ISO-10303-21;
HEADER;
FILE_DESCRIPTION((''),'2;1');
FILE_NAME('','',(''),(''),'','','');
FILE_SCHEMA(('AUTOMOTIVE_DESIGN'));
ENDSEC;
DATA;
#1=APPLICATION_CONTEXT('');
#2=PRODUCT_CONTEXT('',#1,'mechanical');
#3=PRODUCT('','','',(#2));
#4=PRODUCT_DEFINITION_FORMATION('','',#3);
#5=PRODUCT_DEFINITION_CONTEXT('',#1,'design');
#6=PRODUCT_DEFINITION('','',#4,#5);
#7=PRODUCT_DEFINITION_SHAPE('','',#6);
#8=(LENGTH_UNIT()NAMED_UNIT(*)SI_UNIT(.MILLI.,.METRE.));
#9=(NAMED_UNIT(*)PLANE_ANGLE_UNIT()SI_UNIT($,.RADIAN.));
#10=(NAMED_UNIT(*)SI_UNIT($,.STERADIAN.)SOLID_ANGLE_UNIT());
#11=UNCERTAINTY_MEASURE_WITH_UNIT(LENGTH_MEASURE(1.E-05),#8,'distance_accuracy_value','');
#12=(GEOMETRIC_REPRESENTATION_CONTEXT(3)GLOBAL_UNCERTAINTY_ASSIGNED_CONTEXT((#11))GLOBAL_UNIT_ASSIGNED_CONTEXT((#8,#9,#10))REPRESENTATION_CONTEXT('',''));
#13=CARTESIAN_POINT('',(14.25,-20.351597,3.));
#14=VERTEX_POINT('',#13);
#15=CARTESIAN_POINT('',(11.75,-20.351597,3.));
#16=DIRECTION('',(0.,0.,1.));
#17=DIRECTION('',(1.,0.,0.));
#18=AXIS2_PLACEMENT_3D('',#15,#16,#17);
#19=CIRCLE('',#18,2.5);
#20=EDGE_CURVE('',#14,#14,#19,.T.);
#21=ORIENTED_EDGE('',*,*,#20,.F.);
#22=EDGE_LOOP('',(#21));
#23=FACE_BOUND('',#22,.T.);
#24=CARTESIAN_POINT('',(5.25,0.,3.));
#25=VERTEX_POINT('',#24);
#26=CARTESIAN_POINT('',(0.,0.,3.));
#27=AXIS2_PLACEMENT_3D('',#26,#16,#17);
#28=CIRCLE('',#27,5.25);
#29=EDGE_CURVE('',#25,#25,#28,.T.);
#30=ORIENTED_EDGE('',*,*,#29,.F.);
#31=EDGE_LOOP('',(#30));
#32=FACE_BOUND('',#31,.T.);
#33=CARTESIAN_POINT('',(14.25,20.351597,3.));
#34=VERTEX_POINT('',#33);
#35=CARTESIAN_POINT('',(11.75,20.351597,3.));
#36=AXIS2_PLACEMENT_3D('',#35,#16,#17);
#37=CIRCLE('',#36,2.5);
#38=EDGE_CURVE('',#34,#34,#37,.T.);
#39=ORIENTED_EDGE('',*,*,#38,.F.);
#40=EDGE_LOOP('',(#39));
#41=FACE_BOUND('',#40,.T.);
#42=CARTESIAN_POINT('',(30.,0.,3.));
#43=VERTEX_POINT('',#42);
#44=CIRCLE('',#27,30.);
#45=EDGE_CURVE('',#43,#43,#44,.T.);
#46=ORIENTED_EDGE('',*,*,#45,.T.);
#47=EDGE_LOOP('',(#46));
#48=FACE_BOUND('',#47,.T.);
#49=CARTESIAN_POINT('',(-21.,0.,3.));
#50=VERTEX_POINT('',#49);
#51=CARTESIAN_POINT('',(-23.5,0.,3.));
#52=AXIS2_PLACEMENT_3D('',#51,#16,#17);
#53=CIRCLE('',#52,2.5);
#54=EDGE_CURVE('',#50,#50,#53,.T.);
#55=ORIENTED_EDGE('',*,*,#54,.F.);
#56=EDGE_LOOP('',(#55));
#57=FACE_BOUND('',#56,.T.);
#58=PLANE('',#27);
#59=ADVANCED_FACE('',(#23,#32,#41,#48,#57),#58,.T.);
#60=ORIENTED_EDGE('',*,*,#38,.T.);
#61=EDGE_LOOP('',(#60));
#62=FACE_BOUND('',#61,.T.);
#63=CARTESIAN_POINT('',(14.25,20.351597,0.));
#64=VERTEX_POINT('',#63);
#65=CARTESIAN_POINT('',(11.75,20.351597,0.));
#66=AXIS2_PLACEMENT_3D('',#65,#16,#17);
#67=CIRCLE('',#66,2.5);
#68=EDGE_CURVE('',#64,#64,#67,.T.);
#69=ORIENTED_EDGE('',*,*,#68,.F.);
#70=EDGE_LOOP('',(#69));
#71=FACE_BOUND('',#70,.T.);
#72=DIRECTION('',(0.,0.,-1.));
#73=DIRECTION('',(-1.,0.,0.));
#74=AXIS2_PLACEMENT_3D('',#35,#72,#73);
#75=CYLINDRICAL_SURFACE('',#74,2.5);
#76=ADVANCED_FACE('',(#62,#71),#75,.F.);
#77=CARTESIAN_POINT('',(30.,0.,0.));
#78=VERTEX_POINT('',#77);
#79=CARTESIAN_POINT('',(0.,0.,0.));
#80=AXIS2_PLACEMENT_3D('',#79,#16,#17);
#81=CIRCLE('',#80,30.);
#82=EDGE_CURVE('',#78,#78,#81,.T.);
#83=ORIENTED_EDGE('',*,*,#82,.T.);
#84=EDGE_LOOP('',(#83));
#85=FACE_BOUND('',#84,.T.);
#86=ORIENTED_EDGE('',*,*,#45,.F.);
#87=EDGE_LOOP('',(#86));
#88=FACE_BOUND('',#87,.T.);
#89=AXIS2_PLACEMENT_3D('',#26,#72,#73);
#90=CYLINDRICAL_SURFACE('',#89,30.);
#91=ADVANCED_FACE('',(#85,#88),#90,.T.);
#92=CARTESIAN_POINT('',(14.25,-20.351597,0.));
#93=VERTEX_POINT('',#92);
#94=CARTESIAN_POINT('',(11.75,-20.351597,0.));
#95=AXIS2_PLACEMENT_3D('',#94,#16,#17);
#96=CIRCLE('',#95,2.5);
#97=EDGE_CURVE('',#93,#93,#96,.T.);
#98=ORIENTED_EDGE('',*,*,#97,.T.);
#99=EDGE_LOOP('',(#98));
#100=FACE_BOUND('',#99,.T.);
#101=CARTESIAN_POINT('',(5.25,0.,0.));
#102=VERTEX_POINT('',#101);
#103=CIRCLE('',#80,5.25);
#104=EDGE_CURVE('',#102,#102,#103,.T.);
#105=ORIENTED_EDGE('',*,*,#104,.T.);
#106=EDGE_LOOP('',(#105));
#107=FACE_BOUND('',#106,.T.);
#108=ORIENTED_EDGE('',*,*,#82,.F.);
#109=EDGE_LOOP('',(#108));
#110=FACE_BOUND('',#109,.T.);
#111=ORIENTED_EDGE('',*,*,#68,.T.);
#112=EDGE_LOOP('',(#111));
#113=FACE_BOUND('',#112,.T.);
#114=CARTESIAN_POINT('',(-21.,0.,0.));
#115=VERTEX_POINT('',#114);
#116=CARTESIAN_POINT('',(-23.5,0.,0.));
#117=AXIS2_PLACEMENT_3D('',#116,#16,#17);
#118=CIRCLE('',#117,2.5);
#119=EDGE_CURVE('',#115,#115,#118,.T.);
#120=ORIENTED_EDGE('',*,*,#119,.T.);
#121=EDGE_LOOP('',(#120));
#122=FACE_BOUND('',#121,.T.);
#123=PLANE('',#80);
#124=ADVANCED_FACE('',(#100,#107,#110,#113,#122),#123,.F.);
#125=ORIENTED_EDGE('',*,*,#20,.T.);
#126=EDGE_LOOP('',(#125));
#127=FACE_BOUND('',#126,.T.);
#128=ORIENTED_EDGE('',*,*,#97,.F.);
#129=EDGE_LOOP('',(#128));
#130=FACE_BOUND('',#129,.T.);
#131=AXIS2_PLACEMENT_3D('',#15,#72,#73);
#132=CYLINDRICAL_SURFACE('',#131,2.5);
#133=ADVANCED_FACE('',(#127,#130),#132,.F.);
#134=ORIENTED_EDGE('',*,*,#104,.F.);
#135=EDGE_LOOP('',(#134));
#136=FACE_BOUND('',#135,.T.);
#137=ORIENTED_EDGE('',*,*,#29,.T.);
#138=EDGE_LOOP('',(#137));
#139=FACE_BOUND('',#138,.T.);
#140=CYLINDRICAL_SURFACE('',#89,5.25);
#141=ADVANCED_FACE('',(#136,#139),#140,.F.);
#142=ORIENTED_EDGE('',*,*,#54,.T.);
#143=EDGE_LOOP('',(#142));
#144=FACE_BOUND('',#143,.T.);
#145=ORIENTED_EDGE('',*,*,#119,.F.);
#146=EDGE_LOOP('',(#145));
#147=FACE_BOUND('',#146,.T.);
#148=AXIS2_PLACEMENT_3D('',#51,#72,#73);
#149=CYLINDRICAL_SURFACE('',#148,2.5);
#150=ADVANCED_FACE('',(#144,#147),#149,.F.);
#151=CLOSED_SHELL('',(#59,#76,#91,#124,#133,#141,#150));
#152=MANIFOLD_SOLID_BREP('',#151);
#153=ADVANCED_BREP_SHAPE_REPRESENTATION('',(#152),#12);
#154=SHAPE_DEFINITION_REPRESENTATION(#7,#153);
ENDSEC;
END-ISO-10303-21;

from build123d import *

# Parameters (mm, degrees)
SKETCH_1_R      = 30
SKETCH_1_R_2    = 2.5
SKETCH_1_R_3    = 5.25
EXTRUDE_1_DEPTH = 3


with BuildPart() as part:
    # ｽｹｯﾁ1 → ﾎﾞｽ - 押し出し1 (new body)
    with BuildSketch(Plane.XY):
        Circle(SKETCH_1_R)
        with Locations((-23.5, 0)):
            Circle(SKETCH_1_R_2, mode=Mode.SUBTRACT)
        with Locations((11.75, -20.351596989)):
            Circle(SKETCH_1_R_2, mode=Mode.SUBTRACT)
        with Locations((11.75, 20.351596989)):
            Circle(SKETCH_1_R_2, mode=Mode.SUBTRACT)
        Circle(SKETCH_1_R_3, mode=Mode.SUBTRACT)
    extrude(amount=EXTRUDE_1_DEPTH)


solid = part.part
